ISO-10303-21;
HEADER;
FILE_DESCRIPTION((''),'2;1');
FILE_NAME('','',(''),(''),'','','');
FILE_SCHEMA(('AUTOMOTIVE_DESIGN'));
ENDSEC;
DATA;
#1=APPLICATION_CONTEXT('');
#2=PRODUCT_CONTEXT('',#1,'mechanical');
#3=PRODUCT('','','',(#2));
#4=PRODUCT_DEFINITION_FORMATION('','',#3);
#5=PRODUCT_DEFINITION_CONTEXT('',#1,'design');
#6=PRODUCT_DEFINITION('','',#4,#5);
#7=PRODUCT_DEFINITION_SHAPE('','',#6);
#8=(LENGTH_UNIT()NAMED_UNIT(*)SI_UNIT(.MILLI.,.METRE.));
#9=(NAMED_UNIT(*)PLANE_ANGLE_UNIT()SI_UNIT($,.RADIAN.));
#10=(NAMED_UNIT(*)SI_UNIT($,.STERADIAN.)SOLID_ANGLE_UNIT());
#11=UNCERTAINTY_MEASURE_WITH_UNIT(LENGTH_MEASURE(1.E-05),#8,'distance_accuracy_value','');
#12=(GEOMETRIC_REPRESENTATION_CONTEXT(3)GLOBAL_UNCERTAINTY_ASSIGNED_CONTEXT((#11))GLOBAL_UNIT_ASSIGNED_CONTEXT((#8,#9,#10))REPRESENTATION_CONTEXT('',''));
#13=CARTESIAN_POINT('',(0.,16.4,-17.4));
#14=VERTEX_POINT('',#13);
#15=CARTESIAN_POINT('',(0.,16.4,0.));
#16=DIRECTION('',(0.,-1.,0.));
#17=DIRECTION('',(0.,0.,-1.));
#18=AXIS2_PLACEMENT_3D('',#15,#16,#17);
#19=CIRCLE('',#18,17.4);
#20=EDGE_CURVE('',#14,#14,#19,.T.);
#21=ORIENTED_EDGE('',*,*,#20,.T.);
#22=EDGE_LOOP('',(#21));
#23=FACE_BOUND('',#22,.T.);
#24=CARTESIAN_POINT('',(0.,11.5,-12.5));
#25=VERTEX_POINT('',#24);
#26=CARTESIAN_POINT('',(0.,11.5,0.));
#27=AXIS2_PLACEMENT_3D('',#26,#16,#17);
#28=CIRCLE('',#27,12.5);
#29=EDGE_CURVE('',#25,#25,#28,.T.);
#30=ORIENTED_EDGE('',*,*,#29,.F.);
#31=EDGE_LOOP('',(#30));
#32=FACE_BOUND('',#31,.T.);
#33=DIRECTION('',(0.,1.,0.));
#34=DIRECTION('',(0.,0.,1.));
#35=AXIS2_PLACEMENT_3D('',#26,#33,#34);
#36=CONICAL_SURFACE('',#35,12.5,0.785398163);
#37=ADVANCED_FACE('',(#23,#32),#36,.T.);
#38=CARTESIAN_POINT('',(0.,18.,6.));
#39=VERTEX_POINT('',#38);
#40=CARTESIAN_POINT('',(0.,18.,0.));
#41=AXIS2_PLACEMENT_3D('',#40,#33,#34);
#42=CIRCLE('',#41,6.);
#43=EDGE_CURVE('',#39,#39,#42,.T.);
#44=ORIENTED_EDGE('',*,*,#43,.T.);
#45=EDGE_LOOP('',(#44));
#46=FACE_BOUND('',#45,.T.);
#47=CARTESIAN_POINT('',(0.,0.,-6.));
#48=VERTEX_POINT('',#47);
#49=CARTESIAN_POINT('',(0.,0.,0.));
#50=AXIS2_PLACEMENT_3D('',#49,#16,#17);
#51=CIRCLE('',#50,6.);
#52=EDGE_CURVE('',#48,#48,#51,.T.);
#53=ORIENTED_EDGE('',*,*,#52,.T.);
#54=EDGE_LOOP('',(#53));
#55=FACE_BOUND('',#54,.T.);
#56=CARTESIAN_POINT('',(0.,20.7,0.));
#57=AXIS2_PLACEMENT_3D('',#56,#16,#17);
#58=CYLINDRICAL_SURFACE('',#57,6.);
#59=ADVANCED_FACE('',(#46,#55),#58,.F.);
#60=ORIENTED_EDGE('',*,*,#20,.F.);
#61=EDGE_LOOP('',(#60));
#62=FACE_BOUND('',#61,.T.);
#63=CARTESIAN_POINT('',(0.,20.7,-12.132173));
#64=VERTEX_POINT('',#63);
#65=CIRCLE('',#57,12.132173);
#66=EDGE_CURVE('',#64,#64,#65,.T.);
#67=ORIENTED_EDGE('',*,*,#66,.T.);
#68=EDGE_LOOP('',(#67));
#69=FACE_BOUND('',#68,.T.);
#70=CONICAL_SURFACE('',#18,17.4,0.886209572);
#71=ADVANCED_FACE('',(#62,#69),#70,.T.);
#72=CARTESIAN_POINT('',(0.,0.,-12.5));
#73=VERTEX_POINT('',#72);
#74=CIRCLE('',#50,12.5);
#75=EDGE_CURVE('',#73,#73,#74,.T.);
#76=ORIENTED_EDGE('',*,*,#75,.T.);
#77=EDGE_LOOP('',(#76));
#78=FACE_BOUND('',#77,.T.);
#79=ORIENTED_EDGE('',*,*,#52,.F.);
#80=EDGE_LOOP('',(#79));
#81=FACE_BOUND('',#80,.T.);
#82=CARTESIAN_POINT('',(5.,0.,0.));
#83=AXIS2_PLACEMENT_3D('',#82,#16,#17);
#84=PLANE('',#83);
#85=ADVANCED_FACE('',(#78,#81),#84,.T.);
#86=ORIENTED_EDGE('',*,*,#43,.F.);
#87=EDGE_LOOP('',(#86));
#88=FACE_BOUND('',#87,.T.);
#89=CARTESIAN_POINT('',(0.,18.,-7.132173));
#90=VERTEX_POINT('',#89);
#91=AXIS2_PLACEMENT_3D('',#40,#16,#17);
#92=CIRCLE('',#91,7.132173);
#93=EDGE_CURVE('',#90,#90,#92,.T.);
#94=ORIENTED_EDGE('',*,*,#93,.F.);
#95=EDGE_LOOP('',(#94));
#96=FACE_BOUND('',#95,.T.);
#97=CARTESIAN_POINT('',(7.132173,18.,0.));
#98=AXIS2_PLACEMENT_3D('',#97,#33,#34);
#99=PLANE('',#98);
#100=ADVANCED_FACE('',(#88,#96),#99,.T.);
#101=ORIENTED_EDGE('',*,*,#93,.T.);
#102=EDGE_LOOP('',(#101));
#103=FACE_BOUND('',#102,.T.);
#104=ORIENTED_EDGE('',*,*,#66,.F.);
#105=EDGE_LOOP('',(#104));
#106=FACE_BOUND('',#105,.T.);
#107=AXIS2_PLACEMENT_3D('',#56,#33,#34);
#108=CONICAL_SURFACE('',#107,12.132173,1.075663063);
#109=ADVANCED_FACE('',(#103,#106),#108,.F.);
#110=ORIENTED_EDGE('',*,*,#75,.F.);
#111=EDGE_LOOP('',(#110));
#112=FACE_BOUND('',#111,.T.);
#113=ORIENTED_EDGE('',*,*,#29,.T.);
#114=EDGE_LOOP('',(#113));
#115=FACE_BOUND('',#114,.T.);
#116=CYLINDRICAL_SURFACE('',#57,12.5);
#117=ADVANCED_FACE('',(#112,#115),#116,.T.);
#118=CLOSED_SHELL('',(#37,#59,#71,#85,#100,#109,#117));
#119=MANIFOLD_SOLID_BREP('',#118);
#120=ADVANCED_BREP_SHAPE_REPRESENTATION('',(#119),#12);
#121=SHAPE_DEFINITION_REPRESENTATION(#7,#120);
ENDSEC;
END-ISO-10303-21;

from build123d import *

# Parameters (mm, degrees)
SKETCH2_R          = 6
CUT_EXTRUDE1_DEPTH = 33.156025874


with BuildPart() as part:
    # Sketch1 → Revolve1 (revolve)
    with BuildSketch(Plane.XY, mode=Mode.PRIVATE) as revolve1_sk:
        Polygon((17.4, 16.4), (12.132173, 20.7), (7.132173, 18), (5, 18), (5, 0), (12.5, 0), (12.5, 11.5), align=None)
    revolve(revolve1_sk.sketch.rotate(Axis((0, 20.7, 0), (0, -1, 0)), 270), axis=Axis((0, 20.7, 0), (0, -1, 0)))

    # Sketch2 → Cut-Extrude1 (cut, through all)
    with BuildSketch(Plane.XZ):
        with Locations(Location((0, 0, 0), (0, 0, 270))):
            Circle(SKETCH2_R)
    extrude(amount=-CUT_EXTRUDE1_DEPTH, mode=Mode.SUBTRACT)


solid = part.part
